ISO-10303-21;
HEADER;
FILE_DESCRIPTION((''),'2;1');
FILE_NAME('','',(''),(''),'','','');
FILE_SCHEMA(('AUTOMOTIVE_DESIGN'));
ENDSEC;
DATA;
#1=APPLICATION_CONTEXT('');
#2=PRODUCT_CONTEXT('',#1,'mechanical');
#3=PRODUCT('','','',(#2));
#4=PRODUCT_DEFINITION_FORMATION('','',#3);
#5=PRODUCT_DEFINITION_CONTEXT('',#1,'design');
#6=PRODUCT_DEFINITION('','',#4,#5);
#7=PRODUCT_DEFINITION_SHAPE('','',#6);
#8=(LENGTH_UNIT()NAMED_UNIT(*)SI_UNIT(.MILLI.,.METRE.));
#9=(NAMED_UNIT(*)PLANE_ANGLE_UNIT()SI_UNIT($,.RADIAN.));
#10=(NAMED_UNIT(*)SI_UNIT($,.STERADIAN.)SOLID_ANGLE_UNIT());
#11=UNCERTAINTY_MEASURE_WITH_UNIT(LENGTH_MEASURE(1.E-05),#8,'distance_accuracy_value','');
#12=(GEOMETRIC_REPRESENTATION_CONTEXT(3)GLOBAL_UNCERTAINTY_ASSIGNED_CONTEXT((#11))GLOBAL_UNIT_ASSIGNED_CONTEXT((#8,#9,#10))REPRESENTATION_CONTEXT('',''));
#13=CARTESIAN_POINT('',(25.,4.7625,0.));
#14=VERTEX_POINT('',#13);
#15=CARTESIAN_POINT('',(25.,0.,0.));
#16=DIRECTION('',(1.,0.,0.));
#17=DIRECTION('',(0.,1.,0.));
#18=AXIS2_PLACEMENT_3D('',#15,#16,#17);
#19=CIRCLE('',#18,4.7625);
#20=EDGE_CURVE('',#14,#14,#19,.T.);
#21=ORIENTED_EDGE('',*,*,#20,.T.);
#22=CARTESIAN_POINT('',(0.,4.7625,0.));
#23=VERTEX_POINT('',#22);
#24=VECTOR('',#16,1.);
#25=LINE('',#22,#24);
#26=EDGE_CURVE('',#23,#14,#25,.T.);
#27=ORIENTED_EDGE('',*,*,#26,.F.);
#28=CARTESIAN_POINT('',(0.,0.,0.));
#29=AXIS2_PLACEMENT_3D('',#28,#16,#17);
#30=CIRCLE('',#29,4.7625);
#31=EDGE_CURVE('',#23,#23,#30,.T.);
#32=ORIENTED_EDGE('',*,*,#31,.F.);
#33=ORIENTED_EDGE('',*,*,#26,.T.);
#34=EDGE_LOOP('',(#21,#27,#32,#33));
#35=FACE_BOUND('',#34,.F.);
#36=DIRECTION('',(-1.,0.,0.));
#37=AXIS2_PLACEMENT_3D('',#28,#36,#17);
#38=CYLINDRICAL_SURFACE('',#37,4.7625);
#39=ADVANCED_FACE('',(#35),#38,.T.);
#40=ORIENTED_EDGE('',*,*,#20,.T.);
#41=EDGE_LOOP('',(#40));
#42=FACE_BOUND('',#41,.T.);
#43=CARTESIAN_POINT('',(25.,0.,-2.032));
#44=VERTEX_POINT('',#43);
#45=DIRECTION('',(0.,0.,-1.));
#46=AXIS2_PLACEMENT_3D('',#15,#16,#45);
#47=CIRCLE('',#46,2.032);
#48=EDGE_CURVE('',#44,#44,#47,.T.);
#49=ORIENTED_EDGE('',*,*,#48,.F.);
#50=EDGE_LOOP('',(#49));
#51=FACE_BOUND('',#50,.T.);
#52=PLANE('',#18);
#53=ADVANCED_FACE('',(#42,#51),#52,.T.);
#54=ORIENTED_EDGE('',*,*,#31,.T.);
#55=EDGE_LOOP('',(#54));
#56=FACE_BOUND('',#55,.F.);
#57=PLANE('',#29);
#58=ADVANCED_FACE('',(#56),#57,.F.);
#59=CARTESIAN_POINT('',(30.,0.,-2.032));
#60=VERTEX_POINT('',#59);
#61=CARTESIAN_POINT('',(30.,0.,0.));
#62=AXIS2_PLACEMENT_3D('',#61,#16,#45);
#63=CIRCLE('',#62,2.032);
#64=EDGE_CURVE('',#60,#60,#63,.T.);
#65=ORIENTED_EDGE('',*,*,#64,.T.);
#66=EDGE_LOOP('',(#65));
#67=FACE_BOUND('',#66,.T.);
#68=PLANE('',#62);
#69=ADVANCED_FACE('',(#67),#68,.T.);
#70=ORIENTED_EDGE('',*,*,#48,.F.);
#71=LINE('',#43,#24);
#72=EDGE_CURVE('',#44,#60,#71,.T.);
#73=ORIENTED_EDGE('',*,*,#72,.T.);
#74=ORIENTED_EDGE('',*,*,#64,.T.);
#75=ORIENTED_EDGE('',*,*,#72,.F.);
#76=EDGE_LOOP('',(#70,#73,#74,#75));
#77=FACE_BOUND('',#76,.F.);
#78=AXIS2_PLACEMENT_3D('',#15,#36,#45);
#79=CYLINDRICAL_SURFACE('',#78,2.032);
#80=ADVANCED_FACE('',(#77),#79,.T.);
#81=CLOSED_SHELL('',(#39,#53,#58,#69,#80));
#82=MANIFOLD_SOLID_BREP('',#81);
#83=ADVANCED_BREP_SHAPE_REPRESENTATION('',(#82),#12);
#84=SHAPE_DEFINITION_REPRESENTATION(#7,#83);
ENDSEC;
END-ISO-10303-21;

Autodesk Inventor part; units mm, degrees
ref_plane "YZ Plane" through (0, 0, 0) normal (1, 0, 0) x (0, 1, 0)
ref_plane "XZ Plane" through (0, 0, 0) normal (0, 1, 0) x (-1, 0, 0)
ref_plane "XY Plane" through (0, 0, 0) normal (0, 0, 1) x (1, 0, 0)
sketch "Sketch1" plane through (0, 0, 0) normal (1, 0, 0) x (0, 1, 0)
  circle A0 centre (0, 0) radius 4.7625
  dimension "d0" = 9.525
extrude "Extrusion1" add sketch "Sketch1" along normal blind 25
sketch "Sketch2" plane through (25, 0, 0) normal (1, 0, 0) x (0, 0, -1)
  circle A0 centre (0, 0) radius 2.032
  dimension "d3" = 4.064
extrude "Extrusion2" add sketch "Sketch2" along normal blind 5
thread "Thread1" size "3/8-16 UNC" class "2A" standard "ANSI Unified Screw Threads" full length
thread "Thread2" size "10-32 UNF" class "2A" standard "ANSI Unified Screw Threads" full length
properties part number "Tensioner Rod" material "Aluminum 6061"
